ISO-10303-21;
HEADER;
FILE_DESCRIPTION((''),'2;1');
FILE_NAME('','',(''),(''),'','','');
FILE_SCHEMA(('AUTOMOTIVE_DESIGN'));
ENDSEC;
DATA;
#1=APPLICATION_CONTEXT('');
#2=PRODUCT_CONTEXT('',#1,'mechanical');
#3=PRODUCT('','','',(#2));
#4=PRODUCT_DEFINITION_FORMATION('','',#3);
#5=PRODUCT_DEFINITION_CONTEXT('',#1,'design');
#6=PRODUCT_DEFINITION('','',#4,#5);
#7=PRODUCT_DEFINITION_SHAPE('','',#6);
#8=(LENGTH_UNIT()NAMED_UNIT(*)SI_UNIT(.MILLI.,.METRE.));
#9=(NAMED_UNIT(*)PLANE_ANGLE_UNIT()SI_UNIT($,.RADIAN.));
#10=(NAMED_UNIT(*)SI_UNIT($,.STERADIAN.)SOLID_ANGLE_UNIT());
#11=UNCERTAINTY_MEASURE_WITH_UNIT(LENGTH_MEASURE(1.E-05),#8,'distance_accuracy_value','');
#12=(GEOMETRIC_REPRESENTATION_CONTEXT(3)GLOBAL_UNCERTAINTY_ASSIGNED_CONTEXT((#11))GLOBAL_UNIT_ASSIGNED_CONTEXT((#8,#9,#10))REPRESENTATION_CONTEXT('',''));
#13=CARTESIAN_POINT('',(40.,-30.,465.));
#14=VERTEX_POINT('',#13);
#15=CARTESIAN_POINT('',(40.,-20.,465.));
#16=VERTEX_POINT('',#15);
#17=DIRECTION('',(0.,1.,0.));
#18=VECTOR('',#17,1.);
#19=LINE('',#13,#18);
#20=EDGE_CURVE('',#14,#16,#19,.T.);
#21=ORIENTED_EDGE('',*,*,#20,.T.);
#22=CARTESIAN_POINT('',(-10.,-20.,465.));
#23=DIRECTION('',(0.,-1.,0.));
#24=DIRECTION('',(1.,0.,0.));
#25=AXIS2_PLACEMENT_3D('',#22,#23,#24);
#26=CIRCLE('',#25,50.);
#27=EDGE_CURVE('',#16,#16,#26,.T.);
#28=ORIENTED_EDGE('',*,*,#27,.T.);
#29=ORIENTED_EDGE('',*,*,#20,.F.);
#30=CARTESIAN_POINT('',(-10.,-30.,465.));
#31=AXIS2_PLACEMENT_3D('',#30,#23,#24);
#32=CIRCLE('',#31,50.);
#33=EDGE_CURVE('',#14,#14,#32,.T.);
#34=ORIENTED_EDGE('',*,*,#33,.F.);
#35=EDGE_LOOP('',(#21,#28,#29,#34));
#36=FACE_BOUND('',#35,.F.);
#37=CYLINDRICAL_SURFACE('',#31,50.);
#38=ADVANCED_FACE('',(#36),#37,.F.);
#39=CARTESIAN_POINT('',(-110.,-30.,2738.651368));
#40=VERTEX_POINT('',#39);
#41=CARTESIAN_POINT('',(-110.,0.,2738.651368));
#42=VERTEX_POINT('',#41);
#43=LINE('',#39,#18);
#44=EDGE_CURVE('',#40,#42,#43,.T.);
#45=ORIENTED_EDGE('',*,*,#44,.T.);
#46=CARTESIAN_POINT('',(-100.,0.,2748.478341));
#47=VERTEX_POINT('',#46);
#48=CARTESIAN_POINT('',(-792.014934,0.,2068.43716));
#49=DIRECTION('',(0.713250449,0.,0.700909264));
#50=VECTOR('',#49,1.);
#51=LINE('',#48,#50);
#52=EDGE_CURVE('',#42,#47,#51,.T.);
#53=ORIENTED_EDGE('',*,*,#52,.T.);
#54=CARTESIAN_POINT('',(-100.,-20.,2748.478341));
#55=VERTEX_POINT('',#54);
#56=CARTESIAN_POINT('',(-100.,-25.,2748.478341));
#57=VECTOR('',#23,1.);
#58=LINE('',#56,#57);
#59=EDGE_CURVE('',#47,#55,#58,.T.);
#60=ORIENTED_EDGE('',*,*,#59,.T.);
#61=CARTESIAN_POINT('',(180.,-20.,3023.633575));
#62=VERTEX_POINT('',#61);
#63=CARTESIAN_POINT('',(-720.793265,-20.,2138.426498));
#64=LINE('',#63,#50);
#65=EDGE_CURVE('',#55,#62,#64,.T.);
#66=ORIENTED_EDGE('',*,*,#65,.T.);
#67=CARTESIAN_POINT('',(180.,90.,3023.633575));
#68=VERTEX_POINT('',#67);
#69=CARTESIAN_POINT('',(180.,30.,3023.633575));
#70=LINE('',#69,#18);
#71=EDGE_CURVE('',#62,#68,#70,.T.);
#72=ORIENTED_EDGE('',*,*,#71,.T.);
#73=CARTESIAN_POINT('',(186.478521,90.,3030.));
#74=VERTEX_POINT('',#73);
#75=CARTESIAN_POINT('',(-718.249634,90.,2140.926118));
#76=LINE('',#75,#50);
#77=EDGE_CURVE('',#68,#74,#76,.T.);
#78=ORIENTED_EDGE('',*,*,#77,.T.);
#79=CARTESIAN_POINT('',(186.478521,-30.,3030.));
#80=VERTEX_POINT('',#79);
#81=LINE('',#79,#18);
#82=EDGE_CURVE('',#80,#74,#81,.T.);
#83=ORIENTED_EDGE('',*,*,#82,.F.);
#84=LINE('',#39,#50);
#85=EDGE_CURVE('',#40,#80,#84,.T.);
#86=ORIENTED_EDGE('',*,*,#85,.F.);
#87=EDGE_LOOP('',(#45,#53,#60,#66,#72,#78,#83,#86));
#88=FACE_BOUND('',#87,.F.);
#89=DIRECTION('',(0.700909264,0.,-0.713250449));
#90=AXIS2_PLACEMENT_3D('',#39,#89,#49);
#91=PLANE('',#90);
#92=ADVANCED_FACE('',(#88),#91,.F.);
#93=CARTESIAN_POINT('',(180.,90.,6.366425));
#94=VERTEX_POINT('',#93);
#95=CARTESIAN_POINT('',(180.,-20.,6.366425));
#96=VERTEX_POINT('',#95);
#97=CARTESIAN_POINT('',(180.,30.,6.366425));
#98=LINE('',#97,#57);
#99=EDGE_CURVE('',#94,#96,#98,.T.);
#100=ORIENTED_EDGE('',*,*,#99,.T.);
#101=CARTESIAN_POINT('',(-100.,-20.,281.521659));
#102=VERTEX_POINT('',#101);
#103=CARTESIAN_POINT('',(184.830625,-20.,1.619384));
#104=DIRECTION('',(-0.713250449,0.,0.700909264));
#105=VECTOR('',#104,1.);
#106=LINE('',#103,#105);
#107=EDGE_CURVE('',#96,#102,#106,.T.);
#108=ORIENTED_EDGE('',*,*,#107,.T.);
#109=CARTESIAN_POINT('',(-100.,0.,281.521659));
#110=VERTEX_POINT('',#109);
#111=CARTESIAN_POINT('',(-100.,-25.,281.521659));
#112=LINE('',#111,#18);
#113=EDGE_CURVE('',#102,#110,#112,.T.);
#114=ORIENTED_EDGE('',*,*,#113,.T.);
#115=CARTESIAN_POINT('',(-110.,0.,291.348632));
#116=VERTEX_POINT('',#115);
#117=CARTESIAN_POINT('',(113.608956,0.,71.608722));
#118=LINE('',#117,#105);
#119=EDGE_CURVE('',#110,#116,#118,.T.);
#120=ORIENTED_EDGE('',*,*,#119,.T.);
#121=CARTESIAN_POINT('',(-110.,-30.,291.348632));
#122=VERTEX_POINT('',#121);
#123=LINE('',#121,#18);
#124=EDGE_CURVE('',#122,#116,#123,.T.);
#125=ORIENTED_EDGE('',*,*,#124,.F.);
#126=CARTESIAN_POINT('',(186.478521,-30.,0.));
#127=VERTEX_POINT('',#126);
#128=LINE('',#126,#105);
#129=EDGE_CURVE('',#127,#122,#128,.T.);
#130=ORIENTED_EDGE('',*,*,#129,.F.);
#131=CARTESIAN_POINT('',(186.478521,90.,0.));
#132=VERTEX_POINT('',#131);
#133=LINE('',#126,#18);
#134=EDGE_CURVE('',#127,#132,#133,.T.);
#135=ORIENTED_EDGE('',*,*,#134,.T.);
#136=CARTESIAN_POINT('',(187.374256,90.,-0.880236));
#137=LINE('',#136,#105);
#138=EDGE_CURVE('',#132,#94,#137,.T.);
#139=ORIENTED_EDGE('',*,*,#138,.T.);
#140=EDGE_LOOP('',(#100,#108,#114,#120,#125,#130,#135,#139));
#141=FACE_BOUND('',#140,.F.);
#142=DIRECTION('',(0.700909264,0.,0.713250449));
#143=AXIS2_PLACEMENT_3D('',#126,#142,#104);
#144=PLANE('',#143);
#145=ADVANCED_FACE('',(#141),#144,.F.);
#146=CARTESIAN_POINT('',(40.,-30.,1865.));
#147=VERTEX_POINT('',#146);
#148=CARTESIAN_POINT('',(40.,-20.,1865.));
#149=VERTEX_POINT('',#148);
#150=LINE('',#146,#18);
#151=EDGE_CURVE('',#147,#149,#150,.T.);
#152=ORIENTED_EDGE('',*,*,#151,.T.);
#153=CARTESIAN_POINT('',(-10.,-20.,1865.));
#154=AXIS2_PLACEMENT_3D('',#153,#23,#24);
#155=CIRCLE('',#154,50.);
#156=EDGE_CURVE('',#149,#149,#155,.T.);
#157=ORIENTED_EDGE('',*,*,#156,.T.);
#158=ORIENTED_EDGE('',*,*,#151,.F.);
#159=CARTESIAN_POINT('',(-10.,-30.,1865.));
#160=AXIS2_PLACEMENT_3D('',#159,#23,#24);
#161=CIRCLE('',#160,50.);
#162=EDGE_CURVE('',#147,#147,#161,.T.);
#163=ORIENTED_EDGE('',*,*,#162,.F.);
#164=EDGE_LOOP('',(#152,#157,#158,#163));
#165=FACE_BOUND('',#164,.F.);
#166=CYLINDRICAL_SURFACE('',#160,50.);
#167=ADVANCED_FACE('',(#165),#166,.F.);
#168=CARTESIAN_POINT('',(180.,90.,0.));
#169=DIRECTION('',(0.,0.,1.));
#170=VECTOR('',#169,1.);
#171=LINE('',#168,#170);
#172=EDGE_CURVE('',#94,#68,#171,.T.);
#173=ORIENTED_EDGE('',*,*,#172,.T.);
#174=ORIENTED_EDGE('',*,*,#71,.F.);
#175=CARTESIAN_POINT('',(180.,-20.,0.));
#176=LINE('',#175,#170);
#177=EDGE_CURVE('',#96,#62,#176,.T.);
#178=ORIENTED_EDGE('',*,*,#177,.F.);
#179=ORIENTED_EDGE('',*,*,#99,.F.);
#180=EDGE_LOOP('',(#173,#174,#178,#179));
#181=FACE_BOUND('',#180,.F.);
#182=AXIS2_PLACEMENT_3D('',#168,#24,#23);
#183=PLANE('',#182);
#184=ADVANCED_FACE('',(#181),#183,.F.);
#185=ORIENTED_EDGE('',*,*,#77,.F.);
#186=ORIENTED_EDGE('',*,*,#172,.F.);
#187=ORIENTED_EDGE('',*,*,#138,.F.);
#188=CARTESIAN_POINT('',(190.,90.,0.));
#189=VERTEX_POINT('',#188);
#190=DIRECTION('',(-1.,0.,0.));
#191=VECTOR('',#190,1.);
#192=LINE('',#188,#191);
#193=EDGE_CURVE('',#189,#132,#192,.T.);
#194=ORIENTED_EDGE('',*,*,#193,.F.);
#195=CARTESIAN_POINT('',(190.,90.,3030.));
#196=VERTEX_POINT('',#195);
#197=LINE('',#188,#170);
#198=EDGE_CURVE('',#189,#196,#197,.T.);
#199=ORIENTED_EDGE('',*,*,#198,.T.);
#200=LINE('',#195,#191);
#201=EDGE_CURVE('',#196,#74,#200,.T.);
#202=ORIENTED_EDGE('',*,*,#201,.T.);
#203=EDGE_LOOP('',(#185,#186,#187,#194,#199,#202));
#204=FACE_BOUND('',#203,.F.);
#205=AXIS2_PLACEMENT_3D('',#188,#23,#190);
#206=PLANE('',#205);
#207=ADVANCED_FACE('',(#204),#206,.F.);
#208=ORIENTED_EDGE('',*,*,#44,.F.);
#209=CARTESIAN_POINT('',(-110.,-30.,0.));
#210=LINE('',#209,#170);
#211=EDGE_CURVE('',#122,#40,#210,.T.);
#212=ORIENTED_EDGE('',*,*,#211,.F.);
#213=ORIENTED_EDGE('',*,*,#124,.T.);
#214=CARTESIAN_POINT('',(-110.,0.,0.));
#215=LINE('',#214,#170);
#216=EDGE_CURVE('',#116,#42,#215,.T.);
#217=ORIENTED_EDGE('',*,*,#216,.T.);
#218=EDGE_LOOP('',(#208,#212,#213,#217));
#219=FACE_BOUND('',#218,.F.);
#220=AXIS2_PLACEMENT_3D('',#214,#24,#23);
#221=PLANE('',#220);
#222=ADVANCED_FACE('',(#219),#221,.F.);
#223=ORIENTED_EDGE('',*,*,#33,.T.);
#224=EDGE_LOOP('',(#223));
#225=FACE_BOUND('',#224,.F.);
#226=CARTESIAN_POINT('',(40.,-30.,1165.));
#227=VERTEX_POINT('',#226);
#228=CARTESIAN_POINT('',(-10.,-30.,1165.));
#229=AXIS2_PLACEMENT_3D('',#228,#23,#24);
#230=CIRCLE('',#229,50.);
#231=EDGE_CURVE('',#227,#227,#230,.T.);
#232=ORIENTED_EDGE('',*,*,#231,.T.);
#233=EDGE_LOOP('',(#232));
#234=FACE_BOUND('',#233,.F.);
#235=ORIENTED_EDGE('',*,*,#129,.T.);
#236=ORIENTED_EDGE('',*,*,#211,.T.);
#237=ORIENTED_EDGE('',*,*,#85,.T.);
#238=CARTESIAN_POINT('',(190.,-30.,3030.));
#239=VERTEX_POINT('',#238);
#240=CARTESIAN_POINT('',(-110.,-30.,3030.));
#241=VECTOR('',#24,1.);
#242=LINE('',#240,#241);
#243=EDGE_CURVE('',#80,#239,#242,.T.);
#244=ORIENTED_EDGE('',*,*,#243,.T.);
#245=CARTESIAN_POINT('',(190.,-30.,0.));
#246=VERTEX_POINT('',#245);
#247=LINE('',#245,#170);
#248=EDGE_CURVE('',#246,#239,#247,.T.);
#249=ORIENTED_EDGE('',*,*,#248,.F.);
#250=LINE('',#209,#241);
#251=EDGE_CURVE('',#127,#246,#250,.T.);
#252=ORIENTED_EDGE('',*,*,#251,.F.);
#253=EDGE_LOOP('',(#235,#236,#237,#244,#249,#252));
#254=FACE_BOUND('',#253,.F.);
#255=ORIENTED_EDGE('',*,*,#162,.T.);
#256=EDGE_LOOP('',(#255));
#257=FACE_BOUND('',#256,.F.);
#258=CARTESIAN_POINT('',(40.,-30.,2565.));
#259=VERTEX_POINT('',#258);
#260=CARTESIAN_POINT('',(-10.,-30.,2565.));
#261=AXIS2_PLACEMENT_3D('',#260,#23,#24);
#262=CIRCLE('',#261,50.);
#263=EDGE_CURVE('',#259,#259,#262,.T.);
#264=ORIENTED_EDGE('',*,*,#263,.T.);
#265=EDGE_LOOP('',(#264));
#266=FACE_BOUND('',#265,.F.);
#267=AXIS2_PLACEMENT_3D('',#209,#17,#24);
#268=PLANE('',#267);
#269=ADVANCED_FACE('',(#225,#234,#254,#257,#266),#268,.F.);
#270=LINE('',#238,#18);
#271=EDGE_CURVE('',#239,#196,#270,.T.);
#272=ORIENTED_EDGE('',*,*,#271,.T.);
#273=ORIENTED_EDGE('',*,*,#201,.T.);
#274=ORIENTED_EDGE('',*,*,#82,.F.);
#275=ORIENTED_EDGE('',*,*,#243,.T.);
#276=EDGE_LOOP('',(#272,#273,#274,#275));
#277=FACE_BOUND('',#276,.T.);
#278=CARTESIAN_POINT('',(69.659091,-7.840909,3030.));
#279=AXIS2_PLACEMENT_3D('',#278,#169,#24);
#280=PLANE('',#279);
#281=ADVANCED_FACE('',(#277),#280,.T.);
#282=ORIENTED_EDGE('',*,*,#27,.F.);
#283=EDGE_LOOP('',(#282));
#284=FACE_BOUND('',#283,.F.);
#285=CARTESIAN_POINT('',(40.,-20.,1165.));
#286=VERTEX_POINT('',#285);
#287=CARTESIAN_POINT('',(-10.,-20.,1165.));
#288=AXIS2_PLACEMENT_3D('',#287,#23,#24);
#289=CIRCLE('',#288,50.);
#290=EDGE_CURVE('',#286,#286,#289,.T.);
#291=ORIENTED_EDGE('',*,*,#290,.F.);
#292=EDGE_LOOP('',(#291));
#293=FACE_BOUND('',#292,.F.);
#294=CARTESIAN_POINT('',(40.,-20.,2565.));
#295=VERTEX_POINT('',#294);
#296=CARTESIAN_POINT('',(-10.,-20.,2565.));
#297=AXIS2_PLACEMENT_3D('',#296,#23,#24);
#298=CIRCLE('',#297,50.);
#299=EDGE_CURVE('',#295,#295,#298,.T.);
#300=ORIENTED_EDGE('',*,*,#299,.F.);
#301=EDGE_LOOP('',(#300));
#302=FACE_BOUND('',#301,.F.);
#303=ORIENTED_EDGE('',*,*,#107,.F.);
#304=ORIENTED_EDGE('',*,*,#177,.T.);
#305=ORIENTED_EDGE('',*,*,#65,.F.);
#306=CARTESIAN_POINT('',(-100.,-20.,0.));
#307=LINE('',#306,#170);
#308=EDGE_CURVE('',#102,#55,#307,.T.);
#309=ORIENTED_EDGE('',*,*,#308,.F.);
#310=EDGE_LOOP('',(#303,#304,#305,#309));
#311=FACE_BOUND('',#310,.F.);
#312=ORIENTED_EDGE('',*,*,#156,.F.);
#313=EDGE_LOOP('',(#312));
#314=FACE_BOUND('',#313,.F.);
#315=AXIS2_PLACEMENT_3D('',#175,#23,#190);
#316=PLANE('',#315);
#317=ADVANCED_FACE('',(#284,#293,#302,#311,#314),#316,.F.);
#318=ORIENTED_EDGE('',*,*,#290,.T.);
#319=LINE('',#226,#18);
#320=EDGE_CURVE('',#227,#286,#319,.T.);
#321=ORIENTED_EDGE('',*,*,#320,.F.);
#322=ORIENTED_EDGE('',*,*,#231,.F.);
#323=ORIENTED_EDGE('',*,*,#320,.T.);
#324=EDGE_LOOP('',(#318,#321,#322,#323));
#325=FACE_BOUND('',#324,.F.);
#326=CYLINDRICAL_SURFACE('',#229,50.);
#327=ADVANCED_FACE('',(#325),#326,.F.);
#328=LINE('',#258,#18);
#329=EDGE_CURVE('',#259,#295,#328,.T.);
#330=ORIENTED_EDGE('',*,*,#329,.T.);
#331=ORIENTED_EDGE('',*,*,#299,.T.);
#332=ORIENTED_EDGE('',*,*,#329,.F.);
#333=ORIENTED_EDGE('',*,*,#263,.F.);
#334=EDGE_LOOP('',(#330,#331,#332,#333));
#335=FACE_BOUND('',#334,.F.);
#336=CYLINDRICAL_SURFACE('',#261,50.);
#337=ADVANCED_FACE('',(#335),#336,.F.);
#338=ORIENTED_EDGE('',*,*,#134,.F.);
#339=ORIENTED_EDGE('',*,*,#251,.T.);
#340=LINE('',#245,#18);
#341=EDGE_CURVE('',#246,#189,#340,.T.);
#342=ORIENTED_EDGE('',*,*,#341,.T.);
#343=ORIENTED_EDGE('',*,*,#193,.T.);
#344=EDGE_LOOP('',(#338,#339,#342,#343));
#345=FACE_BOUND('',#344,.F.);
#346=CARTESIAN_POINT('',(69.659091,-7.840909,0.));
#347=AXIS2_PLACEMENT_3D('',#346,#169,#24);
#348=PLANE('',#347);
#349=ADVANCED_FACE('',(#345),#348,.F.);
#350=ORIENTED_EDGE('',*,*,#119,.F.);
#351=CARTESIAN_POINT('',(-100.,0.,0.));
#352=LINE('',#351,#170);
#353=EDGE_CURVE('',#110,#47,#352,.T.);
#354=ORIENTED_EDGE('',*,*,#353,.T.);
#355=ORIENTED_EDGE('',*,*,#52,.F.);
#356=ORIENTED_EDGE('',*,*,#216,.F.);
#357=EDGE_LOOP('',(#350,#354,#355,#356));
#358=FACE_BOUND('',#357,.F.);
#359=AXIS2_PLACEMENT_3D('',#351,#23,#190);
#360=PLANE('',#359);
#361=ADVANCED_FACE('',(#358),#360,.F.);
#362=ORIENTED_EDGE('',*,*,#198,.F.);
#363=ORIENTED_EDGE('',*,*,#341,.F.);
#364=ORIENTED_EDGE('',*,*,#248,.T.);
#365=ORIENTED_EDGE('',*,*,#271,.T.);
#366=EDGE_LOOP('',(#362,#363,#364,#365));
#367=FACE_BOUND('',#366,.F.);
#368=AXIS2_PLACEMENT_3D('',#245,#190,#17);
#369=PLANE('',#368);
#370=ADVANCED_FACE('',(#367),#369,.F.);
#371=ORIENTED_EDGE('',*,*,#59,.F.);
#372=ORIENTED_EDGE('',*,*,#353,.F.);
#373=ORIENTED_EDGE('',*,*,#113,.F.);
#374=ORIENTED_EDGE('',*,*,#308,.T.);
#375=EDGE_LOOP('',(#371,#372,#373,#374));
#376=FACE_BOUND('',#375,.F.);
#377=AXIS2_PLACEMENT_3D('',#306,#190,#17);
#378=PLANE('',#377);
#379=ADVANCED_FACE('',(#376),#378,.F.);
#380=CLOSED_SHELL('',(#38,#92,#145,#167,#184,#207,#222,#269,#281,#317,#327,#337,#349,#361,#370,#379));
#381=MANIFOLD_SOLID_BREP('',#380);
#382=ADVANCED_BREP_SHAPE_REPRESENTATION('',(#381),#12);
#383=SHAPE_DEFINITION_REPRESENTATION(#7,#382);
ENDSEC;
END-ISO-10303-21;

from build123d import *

# Parameters (mm, degrees)
F1_DEPTH = 3030
F3_DEPTH = 200
F4_R     = 50
F5_DEPTH = 120.001


with BuildPart() as f1:
    # F0 (on Top) → F1 (new body)
    with BuildSketch(Plane.XY):
        Polygon((-100, 0), (-110, 0), (-110, -30), (190, -30), (190, 90), (180, 90), (180, -20), (-100, -20), align=None)
    extrude(amount=F1_DEPTH)

    # F2 (on face) → F3 (cut)
    with BuildSketch(Plane.XZ.offset(30)):
        Polygon((186.4785214056, 0), (-110, 291.3486315578), (-110, 0), align=None)
        Polygon((-110, 3030), (-110, 2738.6513684422), (186.4785214056, 3030), align=None)
    extrude(amount=-F3_DEPTH, mode=Mode.SUBTRACT)

    # F4 (on face) → F5 (cut, through all)
    with BuildSketch(Plane.XZ.offset(30)):
        with Locations((-10, 465)):
            Circle(F4_R)
        with Locations((-10, 1165)):
            Circle(F4_R)
        with Locations((-10, 1865)):
            Circle(F4_R)
        with Locations((-10, 2565)):
            Circle(F4_R)
    extrude(amount=-F5_DEPTH, mode=Mode.SUBTRACT)


solid = f1.part
